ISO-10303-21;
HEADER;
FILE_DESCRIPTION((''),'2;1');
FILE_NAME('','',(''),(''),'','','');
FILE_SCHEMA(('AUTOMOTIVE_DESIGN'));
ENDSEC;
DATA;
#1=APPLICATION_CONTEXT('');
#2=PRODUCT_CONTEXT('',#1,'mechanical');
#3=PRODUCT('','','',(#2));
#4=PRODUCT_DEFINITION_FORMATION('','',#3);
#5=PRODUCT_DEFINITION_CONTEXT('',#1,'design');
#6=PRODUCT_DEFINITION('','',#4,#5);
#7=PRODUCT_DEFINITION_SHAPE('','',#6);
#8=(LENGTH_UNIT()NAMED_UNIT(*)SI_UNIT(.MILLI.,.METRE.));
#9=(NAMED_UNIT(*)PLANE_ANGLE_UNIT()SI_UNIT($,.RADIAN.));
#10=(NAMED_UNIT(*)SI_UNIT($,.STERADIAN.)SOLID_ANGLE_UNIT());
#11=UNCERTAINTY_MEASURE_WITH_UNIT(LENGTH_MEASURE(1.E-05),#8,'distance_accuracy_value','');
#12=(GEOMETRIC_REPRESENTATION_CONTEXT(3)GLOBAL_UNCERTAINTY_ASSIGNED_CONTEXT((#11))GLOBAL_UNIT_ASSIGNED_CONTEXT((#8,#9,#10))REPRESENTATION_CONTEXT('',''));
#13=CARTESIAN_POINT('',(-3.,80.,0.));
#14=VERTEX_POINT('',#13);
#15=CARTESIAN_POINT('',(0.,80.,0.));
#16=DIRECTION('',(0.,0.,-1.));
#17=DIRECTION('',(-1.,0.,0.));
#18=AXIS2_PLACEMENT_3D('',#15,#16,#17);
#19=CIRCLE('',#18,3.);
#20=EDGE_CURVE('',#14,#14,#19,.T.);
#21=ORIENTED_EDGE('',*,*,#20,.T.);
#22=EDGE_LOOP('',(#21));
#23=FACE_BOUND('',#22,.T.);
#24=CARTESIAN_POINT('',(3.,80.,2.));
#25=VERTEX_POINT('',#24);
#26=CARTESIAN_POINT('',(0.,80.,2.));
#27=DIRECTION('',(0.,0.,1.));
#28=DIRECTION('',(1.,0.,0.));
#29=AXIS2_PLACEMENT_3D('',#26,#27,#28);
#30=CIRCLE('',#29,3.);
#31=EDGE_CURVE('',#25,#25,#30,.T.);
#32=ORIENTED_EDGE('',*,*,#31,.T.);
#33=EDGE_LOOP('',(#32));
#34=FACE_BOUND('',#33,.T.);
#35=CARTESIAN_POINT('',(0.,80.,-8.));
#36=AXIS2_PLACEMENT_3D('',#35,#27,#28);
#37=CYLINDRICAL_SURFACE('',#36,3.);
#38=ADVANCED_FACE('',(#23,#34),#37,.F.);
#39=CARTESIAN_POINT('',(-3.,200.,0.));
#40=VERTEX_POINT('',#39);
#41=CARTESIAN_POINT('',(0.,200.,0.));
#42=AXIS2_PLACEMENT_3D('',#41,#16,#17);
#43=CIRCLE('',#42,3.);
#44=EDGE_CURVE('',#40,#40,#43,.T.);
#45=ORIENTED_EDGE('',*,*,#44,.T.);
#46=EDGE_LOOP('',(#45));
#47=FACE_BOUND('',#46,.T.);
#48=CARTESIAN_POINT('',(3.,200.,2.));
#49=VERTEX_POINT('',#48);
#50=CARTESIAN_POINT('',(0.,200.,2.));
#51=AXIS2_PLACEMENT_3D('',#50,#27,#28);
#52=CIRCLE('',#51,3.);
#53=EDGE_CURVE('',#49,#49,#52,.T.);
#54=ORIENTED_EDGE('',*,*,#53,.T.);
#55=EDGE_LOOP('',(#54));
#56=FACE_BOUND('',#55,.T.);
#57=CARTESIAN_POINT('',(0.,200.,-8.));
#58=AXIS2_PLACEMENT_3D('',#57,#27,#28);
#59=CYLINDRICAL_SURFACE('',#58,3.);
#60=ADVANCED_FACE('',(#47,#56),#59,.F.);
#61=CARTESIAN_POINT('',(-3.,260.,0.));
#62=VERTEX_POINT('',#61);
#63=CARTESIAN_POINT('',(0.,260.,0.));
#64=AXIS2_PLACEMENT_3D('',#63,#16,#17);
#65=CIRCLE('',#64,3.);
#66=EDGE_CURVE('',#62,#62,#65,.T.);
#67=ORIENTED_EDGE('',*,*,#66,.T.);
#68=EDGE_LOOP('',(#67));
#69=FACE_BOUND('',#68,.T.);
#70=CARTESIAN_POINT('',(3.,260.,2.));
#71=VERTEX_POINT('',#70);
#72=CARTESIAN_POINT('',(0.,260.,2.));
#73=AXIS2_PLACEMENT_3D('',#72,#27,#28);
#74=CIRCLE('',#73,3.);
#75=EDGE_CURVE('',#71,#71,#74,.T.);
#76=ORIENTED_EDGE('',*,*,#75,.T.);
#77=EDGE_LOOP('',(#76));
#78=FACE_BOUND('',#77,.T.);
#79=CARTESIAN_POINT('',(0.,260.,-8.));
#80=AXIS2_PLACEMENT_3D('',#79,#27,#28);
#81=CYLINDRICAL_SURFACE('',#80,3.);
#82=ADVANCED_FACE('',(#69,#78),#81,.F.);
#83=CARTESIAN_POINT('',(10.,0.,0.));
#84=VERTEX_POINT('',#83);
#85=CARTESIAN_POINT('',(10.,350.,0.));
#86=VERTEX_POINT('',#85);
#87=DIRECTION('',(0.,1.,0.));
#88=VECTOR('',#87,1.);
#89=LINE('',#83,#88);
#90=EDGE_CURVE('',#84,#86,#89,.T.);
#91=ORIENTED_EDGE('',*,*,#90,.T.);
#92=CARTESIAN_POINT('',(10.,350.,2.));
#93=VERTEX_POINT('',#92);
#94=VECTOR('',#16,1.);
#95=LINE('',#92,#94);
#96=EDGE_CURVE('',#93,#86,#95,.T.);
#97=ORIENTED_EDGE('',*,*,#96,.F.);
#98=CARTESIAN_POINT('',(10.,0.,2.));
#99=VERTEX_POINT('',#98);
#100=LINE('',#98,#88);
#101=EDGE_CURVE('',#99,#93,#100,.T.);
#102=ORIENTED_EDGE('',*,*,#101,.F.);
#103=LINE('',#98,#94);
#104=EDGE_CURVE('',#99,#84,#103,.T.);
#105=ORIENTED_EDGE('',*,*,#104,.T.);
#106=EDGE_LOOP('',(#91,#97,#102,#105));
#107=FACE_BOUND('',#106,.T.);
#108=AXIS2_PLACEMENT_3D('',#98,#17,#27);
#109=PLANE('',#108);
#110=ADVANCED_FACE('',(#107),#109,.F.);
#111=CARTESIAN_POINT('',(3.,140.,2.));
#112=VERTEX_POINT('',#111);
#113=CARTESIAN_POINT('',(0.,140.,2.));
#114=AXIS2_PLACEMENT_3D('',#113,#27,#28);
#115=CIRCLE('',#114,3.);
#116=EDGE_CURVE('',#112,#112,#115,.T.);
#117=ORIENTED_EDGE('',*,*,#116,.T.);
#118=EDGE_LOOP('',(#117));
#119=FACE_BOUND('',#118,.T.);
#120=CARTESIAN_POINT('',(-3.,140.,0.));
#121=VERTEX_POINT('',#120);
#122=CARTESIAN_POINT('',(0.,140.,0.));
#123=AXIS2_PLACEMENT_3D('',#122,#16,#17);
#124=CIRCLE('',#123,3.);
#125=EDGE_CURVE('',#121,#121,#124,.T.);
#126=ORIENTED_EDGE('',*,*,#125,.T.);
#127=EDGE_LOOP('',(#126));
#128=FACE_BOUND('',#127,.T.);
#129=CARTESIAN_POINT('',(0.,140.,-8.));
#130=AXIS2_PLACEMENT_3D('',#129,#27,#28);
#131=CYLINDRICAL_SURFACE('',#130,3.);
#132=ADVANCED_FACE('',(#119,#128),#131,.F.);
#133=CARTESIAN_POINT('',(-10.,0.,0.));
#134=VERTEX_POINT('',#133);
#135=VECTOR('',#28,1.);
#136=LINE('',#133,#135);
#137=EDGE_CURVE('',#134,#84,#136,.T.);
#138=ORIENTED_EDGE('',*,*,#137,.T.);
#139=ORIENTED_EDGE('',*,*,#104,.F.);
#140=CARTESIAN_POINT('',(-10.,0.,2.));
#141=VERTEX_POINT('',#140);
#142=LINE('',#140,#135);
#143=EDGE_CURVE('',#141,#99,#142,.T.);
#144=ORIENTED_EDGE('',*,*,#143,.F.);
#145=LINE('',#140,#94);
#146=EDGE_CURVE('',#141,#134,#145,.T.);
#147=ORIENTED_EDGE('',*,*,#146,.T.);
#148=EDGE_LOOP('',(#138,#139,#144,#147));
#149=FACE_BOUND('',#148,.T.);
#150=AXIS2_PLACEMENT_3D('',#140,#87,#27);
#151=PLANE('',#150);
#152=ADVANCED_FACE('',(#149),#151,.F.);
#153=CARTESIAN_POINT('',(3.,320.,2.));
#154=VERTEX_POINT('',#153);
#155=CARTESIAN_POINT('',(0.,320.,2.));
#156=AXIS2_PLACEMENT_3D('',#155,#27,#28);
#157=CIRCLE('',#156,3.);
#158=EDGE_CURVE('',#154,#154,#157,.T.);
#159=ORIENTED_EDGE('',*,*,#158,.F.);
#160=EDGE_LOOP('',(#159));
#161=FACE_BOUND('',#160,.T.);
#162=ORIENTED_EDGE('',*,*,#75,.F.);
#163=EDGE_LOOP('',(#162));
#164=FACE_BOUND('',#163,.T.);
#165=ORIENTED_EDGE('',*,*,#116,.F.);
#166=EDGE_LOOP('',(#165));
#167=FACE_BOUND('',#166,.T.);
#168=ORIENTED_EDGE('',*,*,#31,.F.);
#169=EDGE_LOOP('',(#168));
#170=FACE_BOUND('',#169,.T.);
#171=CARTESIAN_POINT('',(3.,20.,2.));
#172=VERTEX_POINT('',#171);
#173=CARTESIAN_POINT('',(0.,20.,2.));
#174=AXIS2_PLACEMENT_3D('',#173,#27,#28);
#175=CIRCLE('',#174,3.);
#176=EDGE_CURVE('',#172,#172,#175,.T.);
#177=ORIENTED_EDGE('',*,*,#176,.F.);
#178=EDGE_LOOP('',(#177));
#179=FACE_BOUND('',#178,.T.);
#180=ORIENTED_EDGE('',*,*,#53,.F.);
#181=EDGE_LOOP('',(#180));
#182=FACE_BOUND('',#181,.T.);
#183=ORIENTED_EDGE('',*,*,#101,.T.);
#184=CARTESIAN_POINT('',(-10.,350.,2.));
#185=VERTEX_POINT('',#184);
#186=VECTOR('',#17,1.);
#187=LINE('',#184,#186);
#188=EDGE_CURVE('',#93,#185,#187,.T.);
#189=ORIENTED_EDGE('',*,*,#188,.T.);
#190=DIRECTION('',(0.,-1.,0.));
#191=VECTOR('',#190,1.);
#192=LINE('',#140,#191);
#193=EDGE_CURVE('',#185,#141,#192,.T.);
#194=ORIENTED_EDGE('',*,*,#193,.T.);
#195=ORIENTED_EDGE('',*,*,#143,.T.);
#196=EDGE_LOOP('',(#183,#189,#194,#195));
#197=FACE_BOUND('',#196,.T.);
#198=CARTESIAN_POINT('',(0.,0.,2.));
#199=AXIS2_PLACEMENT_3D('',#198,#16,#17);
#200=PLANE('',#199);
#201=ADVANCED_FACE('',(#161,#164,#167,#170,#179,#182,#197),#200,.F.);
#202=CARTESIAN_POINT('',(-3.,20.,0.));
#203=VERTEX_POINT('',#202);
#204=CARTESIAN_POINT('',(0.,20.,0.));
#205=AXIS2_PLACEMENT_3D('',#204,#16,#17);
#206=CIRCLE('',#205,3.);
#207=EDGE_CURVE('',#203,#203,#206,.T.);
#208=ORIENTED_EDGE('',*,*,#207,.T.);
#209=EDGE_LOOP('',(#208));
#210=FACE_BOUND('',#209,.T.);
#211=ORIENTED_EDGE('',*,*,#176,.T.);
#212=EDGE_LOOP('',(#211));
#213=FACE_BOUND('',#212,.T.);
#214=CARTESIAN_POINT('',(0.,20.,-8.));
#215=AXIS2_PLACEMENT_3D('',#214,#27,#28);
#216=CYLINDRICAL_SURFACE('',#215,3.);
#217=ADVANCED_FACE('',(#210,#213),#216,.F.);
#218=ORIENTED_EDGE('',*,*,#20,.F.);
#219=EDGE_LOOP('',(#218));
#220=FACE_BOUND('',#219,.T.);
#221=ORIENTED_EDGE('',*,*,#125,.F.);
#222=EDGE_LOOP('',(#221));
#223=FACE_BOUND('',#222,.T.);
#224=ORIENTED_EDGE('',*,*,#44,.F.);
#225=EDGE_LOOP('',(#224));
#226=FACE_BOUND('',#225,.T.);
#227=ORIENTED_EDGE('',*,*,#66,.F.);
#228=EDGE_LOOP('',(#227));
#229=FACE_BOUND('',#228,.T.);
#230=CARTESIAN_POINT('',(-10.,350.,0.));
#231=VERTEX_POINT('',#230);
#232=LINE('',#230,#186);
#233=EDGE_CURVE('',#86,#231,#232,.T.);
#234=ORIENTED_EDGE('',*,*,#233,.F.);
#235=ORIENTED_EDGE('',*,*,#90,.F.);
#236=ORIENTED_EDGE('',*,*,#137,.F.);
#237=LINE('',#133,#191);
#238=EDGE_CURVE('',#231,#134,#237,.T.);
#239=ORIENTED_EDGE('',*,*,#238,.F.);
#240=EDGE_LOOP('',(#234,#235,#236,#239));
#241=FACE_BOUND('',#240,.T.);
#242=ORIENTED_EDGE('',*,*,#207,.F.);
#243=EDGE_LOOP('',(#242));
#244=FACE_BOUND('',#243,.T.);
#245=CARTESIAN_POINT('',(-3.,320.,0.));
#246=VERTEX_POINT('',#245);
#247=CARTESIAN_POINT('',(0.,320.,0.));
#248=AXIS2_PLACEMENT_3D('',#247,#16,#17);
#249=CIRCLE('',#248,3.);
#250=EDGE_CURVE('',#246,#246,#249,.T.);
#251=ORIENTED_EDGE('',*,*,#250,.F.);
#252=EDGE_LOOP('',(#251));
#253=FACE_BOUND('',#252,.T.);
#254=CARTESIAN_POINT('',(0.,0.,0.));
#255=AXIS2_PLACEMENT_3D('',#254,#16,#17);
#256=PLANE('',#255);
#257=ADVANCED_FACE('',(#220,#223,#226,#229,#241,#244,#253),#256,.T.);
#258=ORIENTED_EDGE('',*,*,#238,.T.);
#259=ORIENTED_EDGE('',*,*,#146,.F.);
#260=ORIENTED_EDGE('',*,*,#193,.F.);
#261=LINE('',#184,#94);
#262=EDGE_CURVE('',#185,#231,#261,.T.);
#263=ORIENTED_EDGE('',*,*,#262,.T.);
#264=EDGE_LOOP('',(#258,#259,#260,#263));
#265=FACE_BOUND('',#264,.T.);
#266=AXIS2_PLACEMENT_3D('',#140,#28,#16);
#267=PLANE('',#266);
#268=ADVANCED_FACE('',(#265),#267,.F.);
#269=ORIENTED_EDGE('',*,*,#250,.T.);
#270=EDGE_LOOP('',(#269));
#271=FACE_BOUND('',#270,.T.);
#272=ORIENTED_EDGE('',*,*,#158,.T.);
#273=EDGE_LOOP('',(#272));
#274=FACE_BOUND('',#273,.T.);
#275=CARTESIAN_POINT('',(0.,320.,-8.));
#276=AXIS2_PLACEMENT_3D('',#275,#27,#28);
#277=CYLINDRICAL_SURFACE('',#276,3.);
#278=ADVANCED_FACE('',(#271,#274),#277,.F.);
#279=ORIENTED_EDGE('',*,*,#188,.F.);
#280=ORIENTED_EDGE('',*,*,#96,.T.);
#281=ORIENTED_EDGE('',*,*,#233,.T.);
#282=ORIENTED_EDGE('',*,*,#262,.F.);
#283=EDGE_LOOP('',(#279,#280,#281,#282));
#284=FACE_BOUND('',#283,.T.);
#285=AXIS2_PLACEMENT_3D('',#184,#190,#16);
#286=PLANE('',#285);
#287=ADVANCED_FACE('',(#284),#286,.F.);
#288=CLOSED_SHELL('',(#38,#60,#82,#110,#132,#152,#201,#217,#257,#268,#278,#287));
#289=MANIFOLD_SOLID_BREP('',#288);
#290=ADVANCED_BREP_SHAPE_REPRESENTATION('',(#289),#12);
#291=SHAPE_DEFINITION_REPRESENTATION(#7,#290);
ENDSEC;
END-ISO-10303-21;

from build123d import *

# Parameters (mm, degrees)
SKIZZE1_W                       = 20
SKIZZE1_H                       = 350
AUFSATZ_LINEAR_AUSTRAGEN1_DEPTH = 2
SKIZZE2_R                       = 3
SCHNITT_LINEAR_AUSTRAGEN1_DEPTH = 10
LINEARES_MUSTER1_COUNT          = 6
LINEARES_MUSTER1_PITCH          = 60


with BuildPart() as part:
    # Skizze1 → Aufsatz-Linear austragen1 (new body)
    with BuildSketch(Plane.XY):
        with Locations((0, 175)):
            Rectangle(SKIZZE1_W, SKIZZE1_H)
    extrude(amount=AUFSATZ_LINEAR_AUSTRAGEN1_DEPTH)

    # Skizze2 → Schnitt-Linear austragen1 (cut)
    with BuildSketch(Plane.XY.offset(2)):
        with Locations((0, 20)):
            Circle(SKIZZE2_R)
    schnitt_linear_austragen1 = extrude(amount=-SCHNITT_LINEAR_AUSTRAGEN1_DEPTH, mode=Mode.SUBTRACT)

    # Lineares Muster1: Schnitt-Linear austragen1 ×6
    with Locations(*[(0, i * LINEARES_MUSTER1_PITCH, 0) for i in range(1, LINEARES_MUSTER1_COUNT)]):
        add(schnitt_linear_austragen1, mode=Mode.SUBTRACT)


solid = part.part
